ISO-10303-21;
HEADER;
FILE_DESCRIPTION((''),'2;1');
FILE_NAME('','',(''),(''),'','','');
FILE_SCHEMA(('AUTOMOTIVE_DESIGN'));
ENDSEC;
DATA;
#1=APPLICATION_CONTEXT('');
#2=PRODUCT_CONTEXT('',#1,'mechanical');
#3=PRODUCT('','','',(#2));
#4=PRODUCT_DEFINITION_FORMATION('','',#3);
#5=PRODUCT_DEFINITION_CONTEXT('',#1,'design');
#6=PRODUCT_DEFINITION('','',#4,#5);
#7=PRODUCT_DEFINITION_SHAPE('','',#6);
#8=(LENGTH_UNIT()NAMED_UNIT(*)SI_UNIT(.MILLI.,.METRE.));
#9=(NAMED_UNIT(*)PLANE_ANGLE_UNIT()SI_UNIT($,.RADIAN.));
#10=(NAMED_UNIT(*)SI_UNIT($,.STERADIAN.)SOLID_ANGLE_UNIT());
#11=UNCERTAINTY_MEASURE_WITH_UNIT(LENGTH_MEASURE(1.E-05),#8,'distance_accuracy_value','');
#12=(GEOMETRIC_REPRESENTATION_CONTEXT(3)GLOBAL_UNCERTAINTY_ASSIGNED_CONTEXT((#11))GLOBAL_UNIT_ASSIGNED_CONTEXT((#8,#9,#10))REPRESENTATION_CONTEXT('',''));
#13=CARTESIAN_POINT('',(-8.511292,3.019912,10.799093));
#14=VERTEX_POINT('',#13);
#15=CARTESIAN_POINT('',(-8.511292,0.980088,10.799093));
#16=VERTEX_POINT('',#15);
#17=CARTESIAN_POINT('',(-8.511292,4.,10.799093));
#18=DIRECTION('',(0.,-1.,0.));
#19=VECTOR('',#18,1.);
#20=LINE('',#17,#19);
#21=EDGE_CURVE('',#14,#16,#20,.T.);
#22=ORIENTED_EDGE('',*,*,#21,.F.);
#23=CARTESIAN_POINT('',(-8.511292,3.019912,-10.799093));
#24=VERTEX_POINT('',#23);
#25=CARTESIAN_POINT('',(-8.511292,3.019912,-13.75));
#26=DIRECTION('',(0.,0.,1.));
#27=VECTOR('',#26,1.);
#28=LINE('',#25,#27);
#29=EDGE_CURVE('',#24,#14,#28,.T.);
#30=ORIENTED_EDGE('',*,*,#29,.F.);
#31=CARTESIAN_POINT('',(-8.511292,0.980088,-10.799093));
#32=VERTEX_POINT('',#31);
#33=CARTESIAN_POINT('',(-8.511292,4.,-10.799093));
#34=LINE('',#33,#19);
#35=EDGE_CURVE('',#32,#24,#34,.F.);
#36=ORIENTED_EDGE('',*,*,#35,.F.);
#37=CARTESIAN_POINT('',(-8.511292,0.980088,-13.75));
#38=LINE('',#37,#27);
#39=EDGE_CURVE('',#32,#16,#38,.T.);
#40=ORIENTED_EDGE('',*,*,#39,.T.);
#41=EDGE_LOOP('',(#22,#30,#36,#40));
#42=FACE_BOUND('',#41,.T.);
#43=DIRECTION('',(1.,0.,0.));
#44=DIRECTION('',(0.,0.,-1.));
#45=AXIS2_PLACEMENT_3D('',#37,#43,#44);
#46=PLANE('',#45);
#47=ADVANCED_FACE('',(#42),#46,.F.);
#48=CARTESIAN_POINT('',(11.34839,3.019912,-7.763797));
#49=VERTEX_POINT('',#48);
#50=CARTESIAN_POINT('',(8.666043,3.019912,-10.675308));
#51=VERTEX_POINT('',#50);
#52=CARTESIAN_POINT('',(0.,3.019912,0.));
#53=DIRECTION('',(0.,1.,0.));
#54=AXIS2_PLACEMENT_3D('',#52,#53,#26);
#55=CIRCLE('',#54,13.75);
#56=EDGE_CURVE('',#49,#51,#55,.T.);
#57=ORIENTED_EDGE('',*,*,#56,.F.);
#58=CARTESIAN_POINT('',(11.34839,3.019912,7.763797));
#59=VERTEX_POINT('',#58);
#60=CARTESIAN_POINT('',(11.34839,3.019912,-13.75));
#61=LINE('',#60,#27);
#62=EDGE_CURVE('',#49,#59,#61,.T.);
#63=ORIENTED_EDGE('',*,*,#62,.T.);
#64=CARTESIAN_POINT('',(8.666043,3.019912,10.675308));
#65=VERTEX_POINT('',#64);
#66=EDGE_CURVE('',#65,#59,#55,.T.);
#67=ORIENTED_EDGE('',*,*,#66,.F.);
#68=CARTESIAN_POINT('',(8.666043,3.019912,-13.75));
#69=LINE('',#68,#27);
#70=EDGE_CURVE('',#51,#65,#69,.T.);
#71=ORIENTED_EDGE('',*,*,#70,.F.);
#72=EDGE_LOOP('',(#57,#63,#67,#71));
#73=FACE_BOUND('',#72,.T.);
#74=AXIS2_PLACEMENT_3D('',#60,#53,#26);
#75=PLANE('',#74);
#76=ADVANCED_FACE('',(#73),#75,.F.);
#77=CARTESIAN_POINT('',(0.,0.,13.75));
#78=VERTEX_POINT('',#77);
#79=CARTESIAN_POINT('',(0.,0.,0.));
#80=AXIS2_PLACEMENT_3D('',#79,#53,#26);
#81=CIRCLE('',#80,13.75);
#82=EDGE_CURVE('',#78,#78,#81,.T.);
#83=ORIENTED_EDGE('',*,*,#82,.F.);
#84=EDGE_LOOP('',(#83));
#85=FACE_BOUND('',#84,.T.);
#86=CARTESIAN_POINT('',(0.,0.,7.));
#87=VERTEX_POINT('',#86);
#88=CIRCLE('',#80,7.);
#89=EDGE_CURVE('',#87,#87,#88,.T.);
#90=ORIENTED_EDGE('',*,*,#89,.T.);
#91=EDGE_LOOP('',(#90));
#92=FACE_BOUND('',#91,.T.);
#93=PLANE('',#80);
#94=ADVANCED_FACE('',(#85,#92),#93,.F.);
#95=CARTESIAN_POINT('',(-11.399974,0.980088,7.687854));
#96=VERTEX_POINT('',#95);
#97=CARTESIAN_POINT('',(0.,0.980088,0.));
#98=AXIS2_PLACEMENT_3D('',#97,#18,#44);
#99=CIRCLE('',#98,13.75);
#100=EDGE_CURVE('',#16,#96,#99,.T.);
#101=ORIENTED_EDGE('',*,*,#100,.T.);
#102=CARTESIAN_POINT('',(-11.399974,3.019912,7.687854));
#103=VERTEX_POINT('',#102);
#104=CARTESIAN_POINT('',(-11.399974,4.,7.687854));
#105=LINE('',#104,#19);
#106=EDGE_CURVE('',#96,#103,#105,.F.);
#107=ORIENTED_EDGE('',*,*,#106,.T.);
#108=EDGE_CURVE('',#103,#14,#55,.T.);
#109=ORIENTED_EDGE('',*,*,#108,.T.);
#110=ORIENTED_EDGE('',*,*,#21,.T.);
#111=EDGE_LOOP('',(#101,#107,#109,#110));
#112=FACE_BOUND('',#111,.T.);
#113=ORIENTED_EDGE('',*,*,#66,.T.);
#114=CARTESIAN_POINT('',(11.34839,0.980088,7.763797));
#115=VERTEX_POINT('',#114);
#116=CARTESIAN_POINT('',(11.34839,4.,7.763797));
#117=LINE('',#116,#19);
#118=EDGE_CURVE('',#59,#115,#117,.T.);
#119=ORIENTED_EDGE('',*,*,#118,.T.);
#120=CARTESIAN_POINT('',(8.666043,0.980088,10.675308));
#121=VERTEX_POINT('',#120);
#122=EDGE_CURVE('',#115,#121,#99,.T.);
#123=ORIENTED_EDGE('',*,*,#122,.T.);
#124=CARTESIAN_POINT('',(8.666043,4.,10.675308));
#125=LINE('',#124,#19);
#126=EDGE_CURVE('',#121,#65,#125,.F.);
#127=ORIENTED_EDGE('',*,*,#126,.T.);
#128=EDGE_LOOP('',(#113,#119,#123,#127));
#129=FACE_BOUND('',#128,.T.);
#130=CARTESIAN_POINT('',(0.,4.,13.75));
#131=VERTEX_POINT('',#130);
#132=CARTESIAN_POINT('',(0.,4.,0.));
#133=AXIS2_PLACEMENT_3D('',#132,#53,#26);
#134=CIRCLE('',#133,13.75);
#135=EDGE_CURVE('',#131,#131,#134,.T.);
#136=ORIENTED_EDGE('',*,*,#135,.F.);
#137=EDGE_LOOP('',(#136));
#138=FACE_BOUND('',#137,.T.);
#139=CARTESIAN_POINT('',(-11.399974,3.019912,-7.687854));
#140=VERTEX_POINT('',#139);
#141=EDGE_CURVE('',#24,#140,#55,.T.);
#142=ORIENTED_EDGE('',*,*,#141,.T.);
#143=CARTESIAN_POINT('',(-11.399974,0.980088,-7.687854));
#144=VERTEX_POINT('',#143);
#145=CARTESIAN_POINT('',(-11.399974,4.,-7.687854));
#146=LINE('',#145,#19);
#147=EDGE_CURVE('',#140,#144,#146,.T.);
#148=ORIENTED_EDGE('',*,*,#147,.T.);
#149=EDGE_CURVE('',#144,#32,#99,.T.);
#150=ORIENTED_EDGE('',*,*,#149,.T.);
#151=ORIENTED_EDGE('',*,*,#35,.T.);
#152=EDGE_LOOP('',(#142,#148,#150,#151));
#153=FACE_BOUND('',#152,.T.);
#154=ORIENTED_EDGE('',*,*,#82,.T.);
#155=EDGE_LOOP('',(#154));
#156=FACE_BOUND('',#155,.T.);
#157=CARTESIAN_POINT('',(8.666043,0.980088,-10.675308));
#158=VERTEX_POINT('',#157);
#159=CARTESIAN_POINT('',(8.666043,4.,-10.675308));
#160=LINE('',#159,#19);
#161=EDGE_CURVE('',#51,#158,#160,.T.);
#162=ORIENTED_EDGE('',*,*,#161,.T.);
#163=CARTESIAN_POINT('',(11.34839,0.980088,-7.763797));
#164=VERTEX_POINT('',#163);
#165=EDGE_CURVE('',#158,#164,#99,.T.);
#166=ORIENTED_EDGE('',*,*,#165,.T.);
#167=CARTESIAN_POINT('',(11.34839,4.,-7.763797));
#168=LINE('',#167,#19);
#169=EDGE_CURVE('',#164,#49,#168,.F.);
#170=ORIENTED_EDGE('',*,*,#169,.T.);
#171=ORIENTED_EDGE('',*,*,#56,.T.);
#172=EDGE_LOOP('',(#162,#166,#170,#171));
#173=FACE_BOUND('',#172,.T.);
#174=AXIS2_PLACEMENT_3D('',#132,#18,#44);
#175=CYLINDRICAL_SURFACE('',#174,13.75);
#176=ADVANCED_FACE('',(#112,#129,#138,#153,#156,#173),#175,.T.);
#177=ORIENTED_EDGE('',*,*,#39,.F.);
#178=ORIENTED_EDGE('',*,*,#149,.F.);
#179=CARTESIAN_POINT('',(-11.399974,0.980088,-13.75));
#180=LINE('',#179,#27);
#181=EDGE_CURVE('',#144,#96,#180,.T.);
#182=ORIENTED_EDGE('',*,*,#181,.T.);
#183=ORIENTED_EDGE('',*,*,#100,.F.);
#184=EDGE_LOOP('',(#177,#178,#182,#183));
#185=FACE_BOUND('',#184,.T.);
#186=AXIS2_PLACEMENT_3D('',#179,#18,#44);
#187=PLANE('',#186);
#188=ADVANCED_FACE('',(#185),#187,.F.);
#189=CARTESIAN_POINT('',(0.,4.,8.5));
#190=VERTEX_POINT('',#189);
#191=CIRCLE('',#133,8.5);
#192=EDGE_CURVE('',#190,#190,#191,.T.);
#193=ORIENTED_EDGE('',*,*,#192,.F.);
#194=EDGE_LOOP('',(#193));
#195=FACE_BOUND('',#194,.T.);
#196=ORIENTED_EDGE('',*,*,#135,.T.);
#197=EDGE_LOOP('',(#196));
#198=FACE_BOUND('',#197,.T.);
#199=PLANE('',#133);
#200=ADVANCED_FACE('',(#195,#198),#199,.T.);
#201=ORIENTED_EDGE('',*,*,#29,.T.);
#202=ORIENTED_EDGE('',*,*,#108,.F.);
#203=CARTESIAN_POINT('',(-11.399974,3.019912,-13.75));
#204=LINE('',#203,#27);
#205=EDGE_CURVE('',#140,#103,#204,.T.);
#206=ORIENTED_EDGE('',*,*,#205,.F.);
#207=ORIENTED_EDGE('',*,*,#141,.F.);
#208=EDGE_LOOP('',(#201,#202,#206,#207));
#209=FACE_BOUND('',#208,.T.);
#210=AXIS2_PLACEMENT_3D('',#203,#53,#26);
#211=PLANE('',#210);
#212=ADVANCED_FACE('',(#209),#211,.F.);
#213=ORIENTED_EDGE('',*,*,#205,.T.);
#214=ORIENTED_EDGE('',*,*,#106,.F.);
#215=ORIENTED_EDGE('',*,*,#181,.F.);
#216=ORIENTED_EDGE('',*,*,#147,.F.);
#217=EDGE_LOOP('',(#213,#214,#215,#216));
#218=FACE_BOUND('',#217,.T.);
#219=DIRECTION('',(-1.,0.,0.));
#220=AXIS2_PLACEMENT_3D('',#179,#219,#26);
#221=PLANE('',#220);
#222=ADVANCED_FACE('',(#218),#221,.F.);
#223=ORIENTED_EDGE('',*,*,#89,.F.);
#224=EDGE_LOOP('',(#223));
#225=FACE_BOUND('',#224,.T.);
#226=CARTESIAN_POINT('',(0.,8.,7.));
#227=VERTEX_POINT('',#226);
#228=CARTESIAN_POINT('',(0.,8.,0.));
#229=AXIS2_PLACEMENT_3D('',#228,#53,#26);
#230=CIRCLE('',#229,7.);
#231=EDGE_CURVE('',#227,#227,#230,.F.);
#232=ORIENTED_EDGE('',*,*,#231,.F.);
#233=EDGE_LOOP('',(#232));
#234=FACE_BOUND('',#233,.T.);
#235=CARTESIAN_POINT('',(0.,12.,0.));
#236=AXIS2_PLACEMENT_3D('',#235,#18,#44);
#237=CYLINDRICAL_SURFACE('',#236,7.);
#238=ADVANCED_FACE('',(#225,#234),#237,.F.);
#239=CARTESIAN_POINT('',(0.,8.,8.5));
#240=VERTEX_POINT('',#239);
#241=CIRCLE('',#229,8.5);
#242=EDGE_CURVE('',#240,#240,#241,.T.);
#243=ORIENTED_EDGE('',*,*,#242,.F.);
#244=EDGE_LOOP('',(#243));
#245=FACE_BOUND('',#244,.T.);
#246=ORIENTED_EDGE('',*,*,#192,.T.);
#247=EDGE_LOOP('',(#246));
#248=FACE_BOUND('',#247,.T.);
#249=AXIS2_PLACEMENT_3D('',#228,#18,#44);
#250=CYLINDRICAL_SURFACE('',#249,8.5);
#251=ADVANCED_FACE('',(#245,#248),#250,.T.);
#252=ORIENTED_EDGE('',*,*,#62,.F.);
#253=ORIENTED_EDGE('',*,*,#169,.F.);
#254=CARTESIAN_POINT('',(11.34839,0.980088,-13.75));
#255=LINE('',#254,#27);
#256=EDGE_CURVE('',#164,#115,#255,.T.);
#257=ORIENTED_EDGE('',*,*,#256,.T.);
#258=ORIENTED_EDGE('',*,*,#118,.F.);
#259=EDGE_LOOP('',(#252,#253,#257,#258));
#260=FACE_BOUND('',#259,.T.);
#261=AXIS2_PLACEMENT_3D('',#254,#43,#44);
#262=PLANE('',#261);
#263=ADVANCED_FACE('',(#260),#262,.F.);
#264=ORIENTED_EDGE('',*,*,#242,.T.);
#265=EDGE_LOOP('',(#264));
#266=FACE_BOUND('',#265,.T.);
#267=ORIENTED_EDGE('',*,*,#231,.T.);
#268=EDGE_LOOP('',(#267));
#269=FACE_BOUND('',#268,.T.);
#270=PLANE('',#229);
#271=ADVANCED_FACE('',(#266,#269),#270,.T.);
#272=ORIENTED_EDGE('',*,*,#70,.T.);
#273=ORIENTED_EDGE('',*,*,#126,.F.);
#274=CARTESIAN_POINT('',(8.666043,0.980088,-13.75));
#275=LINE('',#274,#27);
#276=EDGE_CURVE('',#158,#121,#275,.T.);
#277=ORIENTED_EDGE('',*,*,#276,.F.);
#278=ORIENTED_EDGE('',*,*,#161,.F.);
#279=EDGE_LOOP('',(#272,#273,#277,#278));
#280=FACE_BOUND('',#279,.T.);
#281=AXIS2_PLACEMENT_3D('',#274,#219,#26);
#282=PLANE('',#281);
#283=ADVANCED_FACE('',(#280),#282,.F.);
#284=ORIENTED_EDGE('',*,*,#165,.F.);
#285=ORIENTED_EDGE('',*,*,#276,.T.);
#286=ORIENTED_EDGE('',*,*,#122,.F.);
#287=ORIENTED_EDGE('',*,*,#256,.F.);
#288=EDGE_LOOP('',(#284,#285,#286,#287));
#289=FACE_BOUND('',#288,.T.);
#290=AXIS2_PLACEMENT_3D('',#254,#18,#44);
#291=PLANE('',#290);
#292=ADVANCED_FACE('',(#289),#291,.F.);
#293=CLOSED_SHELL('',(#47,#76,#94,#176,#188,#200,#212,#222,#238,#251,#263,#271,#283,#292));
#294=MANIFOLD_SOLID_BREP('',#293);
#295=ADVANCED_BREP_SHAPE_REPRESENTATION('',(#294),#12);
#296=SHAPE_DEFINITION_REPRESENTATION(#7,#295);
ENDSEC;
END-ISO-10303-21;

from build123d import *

# Parameters (mm, degrees)
SKETCH1_R               = 13.75
BOSS_EXTRUDE1_DEPTH     = 4
BOSS_EXTRUDE2_START     = 4
SKETCH5_R               = 8.5
BOSS_EXTRUDE2_DEPTH     = 4
CUT_EXTRUDE1_DEPTH      = 22.026768653
CUT_EXTRUDE1_DEPTH_BACK = 22.026768653
SKETCH6_W               = 2.888681075
SKETCH6_H               = 2.039823556
SKETCH6_W_2             = 2.682346713
SKETCH8_R               = 7
CUT_EXTRUDE3_DEPTH      = 12


with BuildPart() as part:
    # Sketch1 → Boss-Extrude1 (new body)
    with BuildSketch(Plane(origin=(0, 0, 0), x_dir=(1, 0, 0), z_dir=(0, 1, 0))):
        with Locations(Location((0, 0, 0), (0, 0, 270))):
            Circle(SKETCH1_R)
    extrude(amount=BOSS_EXTRUDE1_DEPTH)

    # Sketch5 → Boss-Extrude2 (add)
    with BuildSketch(Plane(origin=(0, 0, 0), x_dir=(1, 0, 0), z_dir=(0, 1, 0)).offset(BOSS_EXTRUDE2_START)):
        with Locations(Location((0, 0, 0), (0, 0, 270))):
            Circle(SKETCH5_R)
    extrude(amount=BOSS_EXTRUDE2_DEPTH)

    # Sketch6 → Cut-Extrude1 (cut, two sides: drawn at the far end of the back side and taken through both)
    with BuildSketch(Plane.XY.offset(-CUT_EXTRUDE1_DEPTH_BACK)):
        with Locations((-9.95563299, 2)):
            Rectangle(SKETCH6_W, SKETCH6_H)
        with Locations((10.007216581, 2)):
            Rectangle(SKETCH6_W_2, SKETCH6_H)
    extrude(amount=CUT_EXTRUDE1_DEPTH + CUT_EXTRUDE1_DEPTH_BACK, mode=Mode.SUBTRACT)

    # Sketch8 → Cut-Extrude3 (cut)
    with BuildSketch(Plane(origin=(0, 0, 0), x_dir=(1, 0, 0), z_dir=(0, 1, 0))):
        with Locations(Location((0, 0, 0), (0, 0, 270))):
            Circle(SKETCH8_R)
    extrude(amount=CUT_EXTRUDE3_DEPTH, mode=Mode.SUBTRACT)


solid = part.part
